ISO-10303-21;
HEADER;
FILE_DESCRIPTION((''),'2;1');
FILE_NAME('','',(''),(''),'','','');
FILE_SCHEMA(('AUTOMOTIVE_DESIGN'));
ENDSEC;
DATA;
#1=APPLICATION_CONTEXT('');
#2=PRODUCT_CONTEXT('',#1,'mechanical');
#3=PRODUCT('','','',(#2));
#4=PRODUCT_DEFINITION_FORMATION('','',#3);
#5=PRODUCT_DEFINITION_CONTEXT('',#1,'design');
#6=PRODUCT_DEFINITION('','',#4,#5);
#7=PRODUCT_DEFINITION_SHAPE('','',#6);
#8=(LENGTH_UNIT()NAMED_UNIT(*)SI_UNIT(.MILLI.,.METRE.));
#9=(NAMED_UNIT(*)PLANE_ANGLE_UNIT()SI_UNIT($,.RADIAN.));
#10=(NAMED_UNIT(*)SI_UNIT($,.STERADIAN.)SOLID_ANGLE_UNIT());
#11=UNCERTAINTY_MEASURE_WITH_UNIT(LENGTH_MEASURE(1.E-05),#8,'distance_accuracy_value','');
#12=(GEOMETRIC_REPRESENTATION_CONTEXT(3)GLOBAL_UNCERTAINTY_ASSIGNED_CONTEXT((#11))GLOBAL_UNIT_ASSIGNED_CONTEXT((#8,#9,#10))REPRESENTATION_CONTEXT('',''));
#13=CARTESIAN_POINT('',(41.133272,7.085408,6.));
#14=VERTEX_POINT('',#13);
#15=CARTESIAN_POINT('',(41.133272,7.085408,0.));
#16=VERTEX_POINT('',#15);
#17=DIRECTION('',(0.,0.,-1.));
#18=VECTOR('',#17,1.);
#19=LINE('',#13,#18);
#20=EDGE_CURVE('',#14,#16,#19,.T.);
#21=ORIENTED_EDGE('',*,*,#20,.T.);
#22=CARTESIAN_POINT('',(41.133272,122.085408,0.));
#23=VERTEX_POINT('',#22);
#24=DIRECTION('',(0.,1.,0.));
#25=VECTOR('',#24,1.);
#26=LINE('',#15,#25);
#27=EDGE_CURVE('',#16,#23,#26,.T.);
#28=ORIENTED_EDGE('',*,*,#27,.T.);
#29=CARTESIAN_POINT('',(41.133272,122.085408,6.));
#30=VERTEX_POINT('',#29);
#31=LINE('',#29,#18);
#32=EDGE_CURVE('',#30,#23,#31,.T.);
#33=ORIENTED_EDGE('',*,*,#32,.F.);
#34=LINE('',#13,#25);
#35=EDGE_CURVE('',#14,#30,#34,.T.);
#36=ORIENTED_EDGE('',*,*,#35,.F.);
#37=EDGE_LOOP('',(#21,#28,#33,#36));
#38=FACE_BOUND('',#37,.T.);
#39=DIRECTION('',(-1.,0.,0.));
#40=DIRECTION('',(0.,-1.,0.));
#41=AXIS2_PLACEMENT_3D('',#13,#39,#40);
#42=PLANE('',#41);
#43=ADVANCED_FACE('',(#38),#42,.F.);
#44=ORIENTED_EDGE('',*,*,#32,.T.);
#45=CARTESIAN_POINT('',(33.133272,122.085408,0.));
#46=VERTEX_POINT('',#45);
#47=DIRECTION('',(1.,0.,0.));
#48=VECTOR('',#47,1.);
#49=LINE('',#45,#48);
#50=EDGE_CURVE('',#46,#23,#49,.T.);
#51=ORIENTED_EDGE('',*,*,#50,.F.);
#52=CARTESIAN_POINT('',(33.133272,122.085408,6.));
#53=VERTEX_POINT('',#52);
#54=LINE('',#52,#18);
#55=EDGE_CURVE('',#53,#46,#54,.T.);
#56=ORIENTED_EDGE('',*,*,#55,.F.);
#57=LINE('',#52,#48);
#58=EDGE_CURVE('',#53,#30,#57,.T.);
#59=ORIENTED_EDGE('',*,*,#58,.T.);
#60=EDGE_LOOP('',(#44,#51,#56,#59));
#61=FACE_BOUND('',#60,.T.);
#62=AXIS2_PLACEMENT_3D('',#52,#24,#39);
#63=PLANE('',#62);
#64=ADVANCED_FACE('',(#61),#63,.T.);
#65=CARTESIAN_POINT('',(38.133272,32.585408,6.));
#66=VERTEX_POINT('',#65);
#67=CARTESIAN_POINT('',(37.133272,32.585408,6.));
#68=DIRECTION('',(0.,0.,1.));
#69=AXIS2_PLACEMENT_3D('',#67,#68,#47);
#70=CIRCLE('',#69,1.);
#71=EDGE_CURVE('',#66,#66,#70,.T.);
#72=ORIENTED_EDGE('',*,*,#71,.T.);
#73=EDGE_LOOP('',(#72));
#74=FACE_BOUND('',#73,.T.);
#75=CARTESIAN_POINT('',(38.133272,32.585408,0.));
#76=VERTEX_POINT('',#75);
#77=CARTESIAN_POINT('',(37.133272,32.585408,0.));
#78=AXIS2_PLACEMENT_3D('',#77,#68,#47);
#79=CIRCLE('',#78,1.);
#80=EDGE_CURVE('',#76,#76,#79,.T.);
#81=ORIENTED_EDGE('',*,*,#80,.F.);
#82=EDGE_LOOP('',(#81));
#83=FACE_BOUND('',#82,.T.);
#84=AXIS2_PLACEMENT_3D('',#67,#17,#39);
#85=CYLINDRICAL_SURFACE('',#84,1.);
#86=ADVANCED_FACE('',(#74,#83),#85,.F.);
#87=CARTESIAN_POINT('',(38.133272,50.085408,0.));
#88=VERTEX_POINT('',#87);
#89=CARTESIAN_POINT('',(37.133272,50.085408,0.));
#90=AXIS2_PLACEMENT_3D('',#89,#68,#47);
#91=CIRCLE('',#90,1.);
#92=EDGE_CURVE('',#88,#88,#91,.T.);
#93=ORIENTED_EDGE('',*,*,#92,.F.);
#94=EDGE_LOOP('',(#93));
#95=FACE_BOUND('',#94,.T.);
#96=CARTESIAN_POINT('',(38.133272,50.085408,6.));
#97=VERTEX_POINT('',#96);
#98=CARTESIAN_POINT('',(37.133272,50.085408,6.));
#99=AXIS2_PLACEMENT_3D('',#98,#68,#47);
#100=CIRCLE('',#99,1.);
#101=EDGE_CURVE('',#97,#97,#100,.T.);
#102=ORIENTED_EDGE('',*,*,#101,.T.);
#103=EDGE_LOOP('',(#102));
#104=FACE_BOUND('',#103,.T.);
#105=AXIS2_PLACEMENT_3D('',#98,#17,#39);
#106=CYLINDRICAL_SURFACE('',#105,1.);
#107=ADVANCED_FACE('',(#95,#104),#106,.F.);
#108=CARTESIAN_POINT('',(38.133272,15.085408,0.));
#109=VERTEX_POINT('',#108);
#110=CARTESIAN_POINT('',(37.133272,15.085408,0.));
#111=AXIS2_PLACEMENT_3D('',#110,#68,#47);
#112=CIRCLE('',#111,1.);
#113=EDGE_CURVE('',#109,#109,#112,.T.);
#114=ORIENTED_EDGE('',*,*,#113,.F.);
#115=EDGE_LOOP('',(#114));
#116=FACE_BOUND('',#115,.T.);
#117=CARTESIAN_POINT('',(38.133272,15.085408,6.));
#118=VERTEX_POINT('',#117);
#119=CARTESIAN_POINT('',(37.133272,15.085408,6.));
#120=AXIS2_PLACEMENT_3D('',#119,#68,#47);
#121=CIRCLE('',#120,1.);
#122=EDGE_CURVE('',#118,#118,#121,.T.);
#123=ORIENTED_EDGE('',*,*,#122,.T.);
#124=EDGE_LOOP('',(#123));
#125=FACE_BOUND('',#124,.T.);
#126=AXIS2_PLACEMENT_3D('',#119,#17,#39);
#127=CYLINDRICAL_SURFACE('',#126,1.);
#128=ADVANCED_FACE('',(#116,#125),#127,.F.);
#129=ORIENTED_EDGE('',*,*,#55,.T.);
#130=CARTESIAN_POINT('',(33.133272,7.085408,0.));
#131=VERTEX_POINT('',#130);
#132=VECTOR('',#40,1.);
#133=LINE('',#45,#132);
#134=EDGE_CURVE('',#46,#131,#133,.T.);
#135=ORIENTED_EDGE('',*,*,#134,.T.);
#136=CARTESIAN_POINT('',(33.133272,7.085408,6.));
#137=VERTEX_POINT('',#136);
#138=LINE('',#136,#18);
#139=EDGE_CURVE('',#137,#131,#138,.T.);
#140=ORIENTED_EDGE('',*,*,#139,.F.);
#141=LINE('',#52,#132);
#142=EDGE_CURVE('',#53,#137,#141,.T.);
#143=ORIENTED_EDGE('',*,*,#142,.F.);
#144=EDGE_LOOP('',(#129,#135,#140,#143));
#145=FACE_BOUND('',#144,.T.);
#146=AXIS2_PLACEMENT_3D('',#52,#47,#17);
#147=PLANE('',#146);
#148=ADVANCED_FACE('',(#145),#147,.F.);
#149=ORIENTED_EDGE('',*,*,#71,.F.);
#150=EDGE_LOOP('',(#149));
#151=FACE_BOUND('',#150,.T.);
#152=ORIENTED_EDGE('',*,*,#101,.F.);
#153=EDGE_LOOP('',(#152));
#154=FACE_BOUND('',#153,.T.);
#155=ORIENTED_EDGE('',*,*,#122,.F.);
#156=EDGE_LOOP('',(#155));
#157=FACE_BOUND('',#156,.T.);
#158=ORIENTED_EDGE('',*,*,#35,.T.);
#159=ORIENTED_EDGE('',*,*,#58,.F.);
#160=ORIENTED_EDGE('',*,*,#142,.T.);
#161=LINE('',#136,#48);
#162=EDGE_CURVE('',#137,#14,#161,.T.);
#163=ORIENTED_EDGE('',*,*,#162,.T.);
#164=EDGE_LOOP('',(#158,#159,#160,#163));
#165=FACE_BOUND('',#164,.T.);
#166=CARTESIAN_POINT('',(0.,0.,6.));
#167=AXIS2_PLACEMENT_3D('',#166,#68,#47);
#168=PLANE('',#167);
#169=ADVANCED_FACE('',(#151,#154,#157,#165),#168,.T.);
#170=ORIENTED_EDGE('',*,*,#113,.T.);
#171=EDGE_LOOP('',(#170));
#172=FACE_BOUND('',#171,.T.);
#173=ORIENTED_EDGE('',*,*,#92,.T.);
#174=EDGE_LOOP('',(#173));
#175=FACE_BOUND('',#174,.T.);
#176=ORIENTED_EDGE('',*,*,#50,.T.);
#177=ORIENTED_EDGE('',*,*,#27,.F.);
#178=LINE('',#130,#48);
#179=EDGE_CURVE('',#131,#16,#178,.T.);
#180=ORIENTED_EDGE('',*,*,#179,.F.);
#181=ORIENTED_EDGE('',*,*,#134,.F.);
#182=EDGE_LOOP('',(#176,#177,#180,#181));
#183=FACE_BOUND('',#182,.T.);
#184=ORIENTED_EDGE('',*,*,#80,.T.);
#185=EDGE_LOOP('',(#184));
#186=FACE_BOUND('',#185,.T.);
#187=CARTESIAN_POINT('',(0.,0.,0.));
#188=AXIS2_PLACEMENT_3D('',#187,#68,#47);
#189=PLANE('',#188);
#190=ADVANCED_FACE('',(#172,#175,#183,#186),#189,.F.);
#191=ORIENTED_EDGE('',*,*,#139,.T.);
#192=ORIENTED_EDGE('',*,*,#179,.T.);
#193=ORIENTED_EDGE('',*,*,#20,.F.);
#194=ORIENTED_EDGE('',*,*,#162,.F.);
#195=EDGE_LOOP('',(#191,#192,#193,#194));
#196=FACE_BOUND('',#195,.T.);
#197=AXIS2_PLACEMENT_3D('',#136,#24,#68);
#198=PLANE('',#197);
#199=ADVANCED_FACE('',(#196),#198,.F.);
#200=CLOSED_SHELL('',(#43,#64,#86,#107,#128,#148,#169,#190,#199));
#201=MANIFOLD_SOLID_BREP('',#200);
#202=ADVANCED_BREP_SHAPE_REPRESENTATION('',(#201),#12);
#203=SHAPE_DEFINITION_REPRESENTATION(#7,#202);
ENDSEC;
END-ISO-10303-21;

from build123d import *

# Parameters (mm, degrees)
MODEL_W             = 8
MODEL_H             = 115
MODEL_R             = 1
BOSS_EXTRUDE1_DEPTH = 6


with BuildPart() as part:
    # Model → Boss-Extrude1 (new body)
    with BuildSketch(Plane.XY):
        with Locations((37.133272289, 64.585408335)):
            Rectangle(MODEL_W, MODEL_H)
        with Locations((37.133272289, 15.085408335)):
            Circle(MODEL_R, mode=Mode.SUBTRACT)
        with Locations((37.133272289, 50.085408335)):
            Circle(MODEL_R, mode=Mode.SUBTRACT)
        with Locations((37.133272289, 32.585408335)):
            Circle(MODEL_R, mode=Mode.SUBTRACT)
    extrude(amount=BOSS_EXTRUDE1_DEPTH)


solid = part.part
